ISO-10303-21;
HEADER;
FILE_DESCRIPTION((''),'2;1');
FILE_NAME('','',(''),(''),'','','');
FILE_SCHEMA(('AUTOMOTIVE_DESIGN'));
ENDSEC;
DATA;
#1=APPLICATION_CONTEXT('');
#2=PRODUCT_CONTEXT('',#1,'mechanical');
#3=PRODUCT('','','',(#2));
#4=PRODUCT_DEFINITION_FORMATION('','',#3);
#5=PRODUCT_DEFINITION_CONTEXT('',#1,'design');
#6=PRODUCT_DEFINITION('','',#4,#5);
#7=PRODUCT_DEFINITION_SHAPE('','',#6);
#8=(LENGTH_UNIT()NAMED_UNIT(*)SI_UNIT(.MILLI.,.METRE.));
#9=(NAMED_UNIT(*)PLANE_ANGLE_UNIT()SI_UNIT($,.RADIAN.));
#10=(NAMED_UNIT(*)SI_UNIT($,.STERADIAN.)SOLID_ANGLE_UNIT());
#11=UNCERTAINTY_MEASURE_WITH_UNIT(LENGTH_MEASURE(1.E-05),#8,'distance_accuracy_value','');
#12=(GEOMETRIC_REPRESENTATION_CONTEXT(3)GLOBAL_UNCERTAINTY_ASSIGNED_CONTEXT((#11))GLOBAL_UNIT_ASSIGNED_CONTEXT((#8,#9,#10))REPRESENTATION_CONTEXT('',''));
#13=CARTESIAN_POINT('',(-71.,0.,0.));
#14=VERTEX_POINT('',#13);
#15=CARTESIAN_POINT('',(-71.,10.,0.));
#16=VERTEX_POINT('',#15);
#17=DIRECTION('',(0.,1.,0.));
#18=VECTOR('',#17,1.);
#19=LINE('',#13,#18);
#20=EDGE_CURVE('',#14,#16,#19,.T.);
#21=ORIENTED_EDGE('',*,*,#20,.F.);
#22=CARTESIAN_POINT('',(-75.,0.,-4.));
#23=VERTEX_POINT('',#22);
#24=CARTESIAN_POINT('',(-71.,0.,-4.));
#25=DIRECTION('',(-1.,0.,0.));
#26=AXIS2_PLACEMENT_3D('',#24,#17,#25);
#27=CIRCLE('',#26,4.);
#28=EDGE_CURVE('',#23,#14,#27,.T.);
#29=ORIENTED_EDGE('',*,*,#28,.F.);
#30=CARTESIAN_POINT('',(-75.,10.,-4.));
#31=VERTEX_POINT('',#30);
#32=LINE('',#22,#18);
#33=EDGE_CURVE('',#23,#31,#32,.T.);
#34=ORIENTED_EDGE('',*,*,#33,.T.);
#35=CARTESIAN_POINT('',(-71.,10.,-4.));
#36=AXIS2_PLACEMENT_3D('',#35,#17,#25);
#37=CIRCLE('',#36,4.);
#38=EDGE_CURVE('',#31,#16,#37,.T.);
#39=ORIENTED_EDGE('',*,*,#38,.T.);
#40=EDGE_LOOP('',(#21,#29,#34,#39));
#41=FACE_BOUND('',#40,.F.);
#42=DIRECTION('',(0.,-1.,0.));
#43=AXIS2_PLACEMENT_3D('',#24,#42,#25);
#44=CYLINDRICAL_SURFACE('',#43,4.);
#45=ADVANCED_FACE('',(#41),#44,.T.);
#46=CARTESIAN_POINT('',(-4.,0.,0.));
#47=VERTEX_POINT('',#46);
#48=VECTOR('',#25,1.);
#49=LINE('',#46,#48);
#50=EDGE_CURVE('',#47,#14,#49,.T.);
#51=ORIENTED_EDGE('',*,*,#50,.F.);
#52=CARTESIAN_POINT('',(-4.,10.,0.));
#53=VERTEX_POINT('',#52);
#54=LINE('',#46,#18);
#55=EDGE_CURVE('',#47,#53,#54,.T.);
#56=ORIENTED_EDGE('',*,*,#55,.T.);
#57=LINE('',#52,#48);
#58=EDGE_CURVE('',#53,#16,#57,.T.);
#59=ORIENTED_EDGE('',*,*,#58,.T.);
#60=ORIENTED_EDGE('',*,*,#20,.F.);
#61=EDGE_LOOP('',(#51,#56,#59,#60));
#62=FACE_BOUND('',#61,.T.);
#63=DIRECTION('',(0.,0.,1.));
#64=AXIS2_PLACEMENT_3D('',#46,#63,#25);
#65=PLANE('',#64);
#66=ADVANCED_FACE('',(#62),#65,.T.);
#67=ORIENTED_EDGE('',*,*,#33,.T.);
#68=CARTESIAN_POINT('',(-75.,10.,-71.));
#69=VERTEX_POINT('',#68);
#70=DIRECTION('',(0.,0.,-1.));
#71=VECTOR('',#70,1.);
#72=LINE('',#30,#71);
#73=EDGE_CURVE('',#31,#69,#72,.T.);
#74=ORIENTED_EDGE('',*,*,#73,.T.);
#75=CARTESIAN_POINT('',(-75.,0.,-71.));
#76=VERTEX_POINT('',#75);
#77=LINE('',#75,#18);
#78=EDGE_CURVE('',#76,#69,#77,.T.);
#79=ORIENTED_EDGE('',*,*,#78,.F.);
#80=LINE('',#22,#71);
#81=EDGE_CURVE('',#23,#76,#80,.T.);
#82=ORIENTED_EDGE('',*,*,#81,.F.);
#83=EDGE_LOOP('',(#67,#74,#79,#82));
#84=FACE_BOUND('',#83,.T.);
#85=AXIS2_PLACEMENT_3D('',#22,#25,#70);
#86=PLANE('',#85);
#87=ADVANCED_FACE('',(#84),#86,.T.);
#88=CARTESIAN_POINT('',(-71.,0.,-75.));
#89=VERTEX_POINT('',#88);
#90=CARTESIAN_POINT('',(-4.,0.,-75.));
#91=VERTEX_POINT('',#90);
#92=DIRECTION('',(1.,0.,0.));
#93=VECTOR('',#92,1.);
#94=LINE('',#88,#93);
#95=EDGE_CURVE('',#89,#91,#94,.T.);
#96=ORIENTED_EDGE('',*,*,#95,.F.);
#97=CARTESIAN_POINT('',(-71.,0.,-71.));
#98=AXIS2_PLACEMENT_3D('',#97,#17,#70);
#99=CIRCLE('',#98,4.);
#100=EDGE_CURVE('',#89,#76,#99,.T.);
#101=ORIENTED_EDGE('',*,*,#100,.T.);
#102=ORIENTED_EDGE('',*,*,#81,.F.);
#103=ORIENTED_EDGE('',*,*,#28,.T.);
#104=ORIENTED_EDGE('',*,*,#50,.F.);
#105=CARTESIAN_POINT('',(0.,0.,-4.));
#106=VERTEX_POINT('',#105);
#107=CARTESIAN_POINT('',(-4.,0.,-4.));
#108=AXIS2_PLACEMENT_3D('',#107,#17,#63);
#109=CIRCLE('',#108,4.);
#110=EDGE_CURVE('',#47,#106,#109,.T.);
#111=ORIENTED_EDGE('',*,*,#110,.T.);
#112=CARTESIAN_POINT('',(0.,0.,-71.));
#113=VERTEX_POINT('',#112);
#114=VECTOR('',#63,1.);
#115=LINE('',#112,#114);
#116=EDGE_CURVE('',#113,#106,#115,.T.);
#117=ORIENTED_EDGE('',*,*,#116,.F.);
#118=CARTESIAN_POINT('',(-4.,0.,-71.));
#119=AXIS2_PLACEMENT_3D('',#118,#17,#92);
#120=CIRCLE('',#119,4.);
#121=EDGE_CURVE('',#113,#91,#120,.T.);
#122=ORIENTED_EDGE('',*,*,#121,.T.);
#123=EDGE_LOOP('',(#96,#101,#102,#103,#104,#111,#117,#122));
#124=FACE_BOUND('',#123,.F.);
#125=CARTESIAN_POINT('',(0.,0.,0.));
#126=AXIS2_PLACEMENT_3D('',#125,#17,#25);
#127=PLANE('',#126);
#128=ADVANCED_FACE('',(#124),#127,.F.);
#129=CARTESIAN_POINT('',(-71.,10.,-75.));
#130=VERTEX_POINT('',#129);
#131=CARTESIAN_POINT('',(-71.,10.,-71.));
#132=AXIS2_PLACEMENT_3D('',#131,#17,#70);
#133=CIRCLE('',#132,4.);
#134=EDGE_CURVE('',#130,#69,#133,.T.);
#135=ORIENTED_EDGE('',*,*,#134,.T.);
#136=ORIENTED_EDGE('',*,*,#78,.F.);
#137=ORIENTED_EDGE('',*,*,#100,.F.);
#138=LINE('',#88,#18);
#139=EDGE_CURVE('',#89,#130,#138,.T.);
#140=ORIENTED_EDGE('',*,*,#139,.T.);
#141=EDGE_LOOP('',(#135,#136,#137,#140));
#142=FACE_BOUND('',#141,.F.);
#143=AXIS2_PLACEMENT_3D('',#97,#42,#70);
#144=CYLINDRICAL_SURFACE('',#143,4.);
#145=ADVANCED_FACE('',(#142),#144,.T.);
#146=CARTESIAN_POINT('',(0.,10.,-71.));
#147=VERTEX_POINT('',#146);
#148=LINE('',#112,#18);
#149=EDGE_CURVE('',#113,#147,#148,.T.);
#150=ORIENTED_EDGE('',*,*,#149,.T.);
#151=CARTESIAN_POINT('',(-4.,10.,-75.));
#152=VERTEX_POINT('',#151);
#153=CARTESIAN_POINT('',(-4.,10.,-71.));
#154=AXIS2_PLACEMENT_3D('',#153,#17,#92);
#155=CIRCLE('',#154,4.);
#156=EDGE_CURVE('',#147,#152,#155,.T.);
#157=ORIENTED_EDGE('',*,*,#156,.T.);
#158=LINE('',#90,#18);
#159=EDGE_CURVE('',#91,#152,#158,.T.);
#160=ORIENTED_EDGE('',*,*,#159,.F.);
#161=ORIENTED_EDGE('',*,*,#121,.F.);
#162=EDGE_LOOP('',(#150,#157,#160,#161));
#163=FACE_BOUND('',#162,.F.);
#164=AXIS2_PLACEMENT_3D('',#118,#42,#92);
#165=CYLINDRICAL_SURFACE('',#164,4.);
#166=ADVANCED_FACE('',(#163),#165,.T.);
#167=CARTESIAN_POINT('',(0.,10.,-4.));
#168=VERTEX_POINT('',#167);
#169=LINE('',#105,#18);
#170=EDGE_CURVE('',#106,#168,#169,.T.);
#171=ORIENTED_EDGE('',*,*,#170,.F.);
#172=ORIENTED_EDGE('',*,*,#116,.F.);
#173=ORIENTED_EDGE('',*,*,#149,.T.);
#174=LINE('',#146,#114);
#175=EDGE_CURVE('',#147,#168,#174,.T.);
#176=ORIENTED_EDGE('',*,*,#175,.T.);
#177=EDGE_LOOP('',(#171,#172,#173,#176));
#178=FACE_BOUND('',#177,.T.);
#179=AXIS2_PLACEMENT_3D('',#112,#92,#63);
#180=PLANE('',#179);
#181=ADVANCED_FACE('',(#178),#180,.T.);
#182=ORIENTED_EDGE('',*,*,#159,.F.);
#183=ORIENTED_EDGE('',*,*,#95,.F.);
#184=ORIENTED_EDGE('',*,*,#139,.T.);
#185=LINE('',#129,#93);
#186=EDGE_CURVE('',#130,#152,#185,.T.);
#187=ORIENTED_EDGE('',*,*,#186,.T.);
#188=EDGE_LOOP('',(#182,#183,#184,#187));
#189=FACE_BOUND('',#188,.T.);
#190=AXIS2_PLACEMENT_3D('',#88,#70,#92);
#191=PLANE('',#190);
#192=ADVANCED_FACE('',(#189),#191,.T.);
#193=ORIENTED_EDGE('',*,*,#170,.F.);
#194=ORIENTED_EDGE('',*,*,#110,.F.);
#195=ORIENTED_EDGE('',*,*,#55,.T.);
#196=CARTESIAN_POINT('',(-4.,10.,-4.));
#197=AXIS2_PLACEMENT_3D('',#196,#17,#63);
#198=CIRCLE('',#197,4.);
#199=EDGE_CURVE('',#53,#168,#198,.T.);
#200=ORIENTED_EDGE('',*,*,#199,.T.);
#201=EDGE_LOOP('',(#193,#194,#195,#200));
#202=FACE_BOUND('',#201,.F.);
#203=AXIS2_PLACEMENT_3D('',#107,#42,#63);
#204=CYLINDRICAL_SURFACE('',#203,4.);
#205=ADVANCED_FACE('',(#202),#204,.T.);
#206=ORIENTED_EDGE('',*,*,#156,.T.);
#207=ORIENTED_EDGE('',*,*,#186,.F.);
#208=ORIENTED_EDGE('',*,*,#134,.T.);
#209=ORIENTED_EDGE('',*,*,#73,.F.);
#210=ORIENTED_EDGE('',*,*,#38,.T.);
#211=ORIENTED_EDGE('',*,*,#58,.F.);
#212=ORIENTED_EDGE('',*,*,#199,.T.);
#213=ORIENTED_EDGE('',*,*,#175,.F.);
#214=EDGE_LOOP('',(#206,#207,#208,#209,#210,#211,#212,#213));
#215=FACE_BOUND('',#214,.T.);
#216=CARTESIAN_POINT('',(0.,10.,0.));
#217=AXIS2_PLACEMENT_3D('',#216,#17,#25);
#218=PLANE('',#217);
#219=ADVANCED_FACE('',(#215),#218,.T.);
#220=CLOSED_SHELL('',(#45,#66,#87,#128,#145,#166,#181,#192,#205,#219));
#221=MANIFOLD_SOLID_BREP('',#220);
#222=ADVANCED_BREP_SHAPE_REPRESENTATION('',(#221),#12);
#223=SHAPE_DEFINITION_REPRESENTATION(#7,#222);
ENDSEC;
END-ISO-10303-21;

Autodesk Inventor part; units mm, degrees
ref_plane "YZ Plane" through (0, 0, 0) normal (1, 0, 0) x (0, 1, 0)
ref_plane "XZ Plane" through (0, 0, 0) normal (0, 1, 0) x (-1, 0, 0)
ref_plane "XY Plane" through (0, 0, 0) normal (0, 0, 1) x (1, 0, 0)
sketch "Boceto1" plane through (0, 0, 0) normal (0, 1, 0) x (-1, 0, 0)
  line L0 (4, 0) -> (71, 0)
  line L1 (75, -4) -> (75, -71)
  line L2 (71, -75) -> (4, -75)
  line L3 (0, -71) -> (0, -4)
  arc A0 (75, -4) -> (71, 0) centre (71, -4) ccw
  arc A1 (71, -75) -> (75, -71) centre (71, -71) ccw
  arc A2 (0, -71) -> (4, -75) centre (4, -71) ccw
  arc A3 (4, 0) -> (0, -4) centre (4, -4) ccw
  point P0 (0, 0)
  point P1 (75, 0)
  dimension "d0" = 75
  dimension "d1" = 4
extrude "Extrusión1" add sketch "Boceto1" along normal blind 10
properties part number "Marco - Asiento Triciclo" material "Aluminio 6061"
